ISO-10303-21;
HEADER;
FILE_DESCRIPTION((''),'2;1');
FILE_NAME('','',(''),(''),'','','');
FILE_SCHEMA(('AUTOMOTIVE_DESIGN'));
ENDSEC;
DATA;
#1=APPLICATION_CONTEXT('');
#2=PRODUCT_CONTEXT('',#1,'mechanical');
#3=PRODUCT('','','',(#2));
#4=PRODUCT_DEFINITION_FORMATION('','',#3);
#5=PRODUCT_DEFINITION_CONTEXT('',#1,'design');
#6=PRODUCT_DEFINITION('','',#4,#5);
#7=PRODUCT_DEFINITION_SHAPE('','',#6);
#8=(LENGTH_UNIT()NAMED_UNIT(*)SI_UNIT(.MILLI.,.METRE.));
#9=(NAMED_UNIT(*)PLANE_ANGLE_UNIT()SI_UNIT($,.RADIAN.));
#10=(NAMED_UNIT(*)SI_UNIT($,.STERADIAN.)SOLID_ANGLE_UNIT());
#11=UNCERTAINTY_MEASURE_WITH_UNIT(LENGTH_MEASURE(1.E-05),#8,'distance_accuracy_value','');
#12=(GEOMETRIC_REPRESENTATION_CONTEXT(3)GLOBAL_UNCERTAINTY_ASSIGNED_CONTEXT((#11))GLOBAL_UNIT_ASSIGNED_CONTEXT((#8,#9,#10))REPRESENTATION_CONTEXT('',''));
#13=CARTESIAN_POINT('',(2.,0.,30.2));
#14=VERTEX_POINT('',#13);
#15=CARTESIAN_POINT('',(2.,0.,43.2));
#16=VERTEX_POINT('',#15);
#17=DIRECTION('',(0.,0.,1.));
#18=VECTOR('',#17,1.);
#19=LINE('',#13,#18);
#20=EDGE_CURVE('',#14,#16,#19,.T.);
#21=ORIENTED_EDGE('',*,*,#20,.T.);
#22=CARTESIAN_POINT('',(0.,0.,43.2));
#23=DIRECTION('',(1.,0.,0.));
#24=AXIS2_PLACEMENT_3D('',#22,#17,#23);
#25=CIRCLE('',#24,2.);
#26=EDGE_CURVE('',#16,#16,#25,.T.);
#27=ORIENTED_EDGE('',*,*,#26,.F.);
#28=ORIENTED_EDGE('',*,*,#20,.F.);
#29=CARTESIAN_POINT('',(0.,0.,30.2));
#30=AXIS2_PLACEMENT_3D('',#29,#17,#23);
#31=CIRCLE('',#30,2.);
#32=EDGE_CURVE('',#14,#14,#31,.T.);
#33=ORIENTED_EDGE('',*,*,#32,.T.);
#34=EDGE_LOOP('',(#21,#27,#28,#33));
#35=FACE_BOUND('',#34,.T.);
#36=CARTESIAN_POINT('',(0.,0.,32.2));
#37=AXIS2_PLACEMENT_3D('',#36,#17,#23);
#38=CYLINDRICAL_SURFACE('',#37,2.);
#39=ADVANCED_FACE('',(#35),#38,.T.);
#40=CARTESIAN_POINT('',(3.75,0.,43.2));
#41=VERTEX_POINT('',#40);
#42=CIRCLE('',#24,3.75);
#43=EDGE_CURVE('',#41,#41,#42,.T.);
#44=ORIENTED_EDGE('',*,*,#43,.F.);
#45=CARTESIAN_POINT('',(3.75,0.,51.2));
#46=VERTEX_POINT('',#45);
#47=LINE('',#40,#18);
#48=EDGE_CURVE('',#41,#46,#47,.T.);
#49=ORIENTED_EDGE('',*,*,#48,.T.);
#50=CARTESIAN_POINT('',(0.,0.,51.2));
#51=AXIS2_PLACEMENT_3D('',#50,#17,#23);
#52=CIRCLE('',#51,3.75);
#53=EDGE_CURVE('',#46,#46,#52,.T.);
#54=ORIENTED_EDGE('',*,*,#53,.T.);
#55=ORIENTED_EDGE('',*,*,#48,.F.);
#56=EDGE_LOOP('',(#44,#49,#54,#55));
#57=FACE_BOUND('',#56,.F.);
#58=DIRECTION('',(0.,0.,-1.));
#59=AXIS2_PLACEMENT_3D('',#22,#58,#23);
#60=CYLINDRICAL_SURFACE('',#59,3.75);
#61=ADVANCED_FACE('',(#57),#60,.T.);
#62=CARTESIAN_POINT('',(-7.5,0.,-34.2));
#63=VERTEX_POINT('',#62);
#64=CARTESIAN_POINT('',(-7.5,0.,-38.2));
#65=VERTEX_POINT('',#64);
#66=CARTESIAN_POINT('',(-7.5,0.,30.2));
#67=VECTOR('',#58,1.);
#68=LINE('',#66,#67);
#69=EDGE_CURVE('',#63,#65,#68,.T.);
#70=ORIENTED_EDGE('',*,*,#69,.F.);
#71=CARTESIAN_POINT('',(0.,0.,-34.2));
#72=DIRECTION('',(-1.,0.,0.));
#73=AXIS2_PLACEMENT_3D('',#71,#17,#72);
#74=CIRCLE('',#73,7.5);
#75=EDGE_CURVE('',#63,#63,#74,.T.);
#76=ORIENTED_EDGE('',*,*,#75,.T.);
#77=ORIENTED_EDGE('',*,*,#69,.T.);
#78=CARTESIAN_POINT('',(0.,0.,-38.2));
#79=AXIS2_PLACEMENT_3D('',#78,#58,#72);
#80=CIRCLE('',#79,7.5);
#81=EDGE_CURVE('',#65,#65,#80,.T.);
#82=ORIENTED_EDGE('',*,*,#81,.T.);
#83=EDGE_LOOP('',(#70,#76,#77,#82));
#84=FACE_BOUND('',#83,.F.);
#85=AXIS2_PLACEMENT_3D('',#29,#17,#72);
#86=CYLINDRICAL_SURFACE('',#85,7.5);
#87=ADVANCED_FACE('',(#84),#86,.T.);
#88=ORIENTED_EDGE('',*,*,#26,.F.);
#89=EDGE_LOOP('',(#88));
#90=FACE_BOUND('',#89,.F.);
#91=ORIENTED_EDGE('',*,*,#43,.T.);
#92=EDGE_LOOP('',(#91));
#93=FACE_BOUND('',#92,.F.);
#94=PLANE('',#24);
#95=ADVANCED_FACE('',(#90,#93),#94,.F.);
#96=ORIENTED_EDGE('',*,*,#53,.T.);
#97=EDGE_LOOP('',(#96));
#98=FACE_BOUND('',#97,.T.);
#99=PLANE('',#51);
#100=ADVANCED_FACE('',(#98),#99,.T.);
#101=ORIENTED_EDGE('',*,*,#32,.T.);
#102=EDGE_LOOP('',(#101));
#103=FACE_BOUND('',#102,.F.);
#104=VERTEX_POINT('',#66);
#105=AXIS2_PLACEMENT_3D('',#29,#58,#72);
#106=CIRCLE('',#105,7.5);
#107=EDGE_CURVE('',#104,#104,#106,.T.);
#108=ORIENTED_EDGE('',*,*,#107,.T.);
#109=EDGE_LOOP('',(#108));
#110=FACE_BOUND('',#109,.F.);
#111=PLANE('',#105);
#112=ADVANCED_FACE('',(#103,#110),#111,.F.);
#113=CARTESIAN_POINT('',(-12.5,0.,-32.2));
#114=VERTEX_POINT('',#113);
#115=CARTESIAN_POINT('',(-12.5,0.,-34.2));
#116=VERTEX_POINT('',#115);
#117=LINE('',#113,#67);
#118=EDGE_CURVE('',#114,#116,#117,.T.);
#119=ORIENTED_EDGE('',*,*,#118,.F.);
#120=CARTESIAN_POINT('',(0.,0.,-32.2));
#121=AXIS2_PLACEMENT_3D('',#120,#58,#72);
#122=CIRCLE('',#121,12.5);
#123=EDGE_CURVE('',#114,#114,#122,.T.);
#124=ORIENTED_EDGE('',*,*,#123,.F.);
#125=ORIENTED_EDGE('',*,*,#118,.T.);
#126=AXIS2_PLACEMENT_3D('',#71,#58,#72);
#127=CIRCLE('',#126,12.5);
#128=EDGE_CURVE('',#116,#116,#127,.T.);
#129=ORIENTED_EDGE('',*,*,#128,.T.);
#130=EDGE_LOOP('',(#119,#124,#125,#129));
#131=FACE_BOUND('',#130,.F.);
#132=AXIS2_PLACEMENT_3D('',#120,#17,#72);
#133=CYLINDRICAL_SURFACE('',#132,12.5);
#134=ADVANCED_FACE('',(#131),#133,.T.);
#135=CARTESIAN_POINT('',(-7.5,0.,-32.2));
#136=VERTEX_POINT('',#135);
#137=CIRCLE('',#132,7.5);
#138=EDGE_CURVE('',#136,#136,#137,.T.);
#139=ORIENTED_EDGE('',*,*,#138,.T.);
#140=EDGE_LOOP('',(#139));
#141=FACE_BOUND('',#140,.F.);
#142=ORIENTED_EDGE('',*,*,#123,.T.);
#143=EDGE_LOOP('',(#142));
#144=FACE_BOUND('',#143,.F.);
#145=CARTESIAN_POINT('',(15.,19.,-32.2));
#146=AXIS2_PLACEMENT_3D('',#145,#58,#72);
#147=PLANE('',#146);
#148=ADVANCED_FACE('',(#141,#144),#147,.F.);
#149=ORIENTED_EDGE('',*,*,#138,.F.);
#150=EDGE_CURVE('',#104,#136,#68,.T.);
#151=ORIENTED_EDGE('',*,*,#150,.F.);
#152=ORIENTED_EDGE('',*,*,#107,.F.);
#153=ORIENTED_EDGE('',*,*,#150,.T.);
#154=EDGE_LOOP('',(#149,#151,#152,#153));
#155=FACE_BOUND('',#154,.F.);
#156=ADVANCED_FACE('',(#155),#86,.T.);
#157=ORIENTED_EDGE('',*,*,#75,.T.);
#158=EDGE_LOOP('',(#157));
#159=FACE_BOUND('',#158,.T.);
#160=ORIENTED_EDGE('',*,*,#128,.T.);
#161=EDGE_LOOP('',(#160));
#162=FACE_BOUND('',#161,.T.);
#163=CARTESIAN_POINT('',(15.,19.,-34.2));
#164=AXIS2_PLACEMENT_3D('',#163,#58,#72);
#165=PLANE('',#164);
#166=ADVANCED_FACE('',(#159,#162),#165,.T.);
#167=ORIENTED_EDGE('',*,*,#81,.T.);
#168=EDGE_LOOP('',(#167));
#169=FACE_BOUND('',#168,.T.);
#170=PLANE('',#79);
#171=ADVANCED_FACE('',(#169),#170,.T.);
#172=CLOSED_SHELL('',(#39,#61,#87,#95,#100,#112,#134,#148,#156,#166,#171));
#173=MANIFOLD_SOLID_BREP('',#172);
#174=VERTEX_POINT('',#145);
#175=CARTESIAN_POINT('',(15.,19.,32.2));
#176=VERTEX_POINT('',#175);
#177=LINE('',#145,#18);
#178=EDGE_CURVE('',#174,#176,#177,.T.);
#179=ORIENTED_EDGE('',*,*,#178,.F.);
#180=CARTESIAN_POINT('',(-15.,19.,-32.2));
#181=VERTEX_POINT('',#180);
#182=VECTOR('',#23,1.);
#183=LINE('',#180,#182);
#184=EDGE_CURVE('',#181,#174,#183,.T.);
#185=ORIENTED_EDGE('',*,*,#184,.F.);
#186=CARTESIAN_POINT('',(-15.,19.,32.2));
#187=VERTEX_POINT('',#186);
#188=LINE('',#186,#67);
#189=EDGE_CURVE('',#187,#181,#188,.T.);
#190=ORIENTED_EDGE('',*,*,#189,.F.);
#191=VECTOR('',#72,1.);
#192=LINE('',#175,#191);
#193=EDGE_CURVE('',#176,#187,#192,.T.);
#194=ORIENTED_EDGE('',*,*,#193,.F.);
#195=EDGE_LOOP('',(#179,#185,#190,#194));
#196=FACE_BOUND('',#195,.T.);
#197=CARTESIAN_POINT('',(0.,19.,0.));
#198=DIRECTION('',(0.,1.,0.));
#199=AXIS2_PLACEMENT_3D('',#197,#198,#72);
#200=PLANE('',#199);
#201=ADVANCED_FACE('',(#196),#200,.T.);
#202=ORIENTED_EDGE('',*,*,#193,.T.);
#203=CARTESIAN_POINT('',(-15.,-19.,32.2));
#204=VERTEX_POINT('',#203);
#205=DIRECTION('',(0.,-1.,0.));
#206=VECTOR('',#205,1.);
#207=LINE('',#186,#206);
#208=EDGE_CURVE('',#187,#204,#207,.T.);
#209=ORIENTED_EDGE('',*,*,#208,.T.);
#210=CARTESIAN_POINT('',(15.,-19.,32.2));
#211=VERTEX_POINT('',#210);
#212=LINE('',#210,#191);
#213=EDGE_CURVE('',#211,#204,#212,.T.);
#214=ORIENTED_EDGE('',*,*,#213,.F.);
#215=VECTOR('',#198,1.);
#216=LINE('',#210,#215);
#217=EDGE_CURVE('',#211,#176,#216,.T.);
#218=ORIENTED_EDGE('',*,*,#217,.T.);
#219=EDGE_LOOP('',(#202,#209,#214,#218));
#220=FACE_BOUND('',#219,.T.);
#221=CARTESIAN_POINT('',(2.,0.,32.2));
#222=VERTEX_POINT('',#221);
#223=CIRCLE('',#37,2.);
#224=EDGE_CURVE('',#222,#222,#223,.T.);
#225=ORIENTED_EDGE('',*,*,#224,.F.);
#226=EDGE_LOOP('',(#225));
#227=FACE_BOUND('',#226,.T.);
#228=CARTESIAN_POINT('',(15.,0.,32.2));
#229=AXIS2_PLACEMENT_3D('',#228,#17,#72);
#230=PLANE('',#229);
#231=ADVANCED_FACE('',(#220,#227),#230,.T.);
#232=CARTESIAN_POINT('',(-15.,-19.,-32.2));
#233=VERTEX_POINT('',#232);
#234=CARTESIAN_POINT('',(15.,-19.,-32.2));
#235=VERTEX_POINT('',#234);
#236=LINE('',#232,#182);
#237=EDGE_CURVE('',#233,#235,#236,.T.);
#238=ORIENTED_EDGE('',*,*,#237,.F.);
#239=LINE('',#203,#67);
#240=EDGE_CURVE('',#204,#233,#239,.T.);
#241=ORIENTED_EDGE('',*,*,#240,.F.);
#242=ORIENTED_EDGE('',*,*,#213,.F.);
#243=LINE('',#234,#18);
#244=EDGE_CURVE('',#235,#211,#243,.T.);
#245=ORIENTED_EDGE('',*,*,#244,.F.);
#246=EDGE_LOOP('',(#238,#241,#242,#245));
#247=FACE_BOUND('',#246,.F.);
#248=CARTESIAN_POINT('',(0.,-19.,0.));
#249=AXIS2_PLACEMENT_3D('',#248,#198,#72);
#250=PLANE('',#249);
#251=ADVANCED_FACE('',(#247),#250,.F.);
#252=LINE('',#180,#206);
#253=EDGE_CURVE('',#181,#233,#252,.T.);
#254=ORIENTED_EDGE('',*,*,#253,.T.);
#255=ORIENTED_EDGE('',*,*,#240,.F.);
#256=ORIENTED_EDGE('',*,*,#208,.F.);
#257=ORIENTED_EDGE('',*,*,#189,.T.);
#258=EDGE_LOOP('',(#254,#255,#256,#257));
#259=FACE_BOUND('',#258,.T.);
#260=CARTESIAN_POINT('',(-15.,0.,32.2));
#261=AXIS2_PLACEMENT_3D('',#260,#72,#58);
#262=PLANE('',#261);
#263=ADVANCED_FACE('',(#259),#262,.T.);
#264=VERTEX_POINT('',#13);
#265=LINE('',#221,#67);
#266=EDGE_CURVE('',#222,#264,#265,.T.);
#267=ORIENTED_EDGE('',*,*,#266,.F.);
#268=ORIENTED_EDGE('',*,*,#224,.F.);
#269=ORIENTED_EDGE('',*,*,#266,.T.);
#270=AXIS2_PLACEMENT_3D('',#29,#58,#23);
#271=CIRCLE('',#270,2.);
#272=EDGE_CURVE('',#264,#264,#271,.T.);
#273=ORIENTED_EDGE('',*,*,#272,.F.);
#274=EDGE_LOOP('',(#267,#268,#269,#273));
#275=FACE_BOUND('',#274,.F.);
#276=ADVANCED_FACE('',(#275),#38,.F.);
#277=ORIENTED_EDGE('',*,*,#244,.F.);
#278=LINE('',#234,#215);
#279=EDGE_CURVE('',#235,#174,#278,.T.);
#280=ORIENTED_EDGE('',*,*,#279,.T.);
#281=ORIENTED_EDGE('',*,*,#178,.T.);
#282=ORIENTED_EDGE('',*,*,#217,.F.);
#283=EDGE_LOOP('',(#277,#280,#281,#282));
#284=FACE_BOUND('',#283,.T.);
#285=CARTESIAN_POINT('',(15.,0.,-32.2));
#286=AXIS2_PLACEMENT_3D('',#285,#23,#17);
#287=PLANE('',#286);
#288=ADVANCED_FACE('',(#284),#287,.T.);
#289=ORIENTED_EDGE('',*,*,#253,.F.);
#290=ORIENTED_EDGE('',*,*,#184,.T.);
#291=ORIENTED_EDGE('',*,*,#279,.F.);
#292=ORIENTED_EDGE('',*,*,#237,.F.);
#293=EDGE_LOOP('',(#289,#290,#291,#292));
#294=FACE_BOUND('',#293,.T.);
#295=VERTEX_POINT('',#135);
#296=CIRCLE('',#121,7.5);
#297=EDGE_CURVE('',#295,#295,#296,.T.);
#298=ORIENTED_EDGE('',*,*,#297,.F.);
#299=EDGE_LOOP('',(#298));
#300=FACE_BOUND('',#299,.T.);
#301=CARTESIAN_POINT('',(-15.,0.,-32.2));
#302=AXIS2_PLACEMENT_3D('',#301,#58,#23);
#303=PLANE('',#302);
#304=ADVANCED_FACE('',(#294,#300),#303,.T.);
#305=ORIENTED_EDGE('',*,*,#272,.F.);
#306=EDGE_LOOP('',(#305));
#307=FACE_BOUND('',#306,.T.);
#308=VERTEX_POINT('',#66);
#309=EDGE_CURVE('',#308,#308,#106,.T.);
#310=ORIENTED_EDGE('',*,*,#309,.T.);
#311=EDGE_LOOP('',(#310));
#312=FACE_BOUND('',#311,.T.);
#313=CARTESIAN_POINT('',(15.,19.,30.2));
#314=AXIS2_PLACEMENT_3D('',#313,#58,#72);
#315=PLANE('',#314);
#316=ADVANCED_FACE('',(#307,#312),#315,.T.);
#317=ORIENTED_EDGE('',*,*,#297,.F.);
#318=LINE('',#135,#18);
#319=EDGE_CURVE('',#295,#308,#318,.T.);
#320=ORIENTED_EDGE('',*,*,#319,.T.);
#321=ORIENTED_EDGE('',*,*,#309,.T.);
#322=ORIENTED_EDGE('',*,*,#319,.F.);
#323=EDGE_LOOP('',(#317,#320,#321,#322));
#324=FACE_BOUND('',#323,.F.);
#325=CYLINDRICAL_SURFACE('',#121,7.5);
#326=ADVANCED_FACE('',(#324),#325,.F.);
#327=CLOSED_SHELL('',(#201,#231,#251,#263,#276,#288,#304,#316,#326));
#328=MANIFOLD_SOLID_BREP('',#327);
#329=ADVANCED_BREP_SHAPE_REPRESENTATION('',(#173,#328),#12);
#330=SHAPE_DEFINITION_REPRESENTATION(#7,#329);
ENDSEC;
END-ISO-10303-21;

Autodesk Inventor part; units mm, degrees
ref_plane "YZ Plane" through (0, 0, 0) normal (1, 0, 0) x (0, 1, 0)
ref_plane "XZ Plane" through (0, 0, 0) normal (0, 1, 0) x (-1, 0, 0)
ref_plane "XY Plane" through (0, 0, 0) normal (0, 0, 1) x (1, 0, 0)
sketch "Sketch1" plane through (0, 0, 0) normal (0, 1, 0) x (-1, 0, 0)
  line L0 (-15, 32.2) -> (15, 32.2)
  line L1 (15, 32.2) -> (15, -32.2)
  line L2 (15, -32.2) -> (-15, -32.2)
  line L3 (-15, -32.2) -> (-15, 32.2)
  line L4 (-15, 32.2) -> (15, -32.2) construction
  line L5 (15, 32.2) -> (-15, -32.2) construction
  point P0 (0, 0)
  dimension "d0" = 30
  dimension "d1" = 64.4
extrude "Extrusion1" add sketch "Sketch1" along normal mid plane 38
sketch "Sketch4" plane through (-15, 19, 32.2) normal (0, 0, 1) x (1, 0, 0)
  circle A0 centre (15, -19) radius 2
  dimension "d10" = 4
extrude "Extrusion4" cut sketch "Sketch4" against normal through all
sketch "Sketch5" plane through (15, 19, -32.2) normal (0, 0, -1) x (-1, 0, 0)
  circle A0 centre (15, -19) radius 2 projected
  circle A1 centre (15, -19) radius 7.5
  point P0 (15, -19)
  dimension "d15" = 15
extrude "Extrusion5" cut sketch "Sketch5" against normal blind 62.4
sketch "Sketch2" plane through (-15, 19, 32.2) normal (0, 0, 1) x (1, 0, 0)
  circle A0 centre (15, -19) radius 2
  dimension "d4" = 4
extrude "Extrusion2" add sketch "Sketch2" along normal blind 11 and the other way blind 2 separate body
sketch "Sketch3" plane through (0, 0, 43.2) normal (0, 0, 1) x (1, 0, 0)
  circle A0 centre (0, 0) radius 3.75
  dimension "d7" = 7.5
extrude "Extrusion3" add sketch "Sketch3" along normal blind 8 bodies 2
sketch "Sketch6" plane through (0, 0, 30.2) normal (0, 0, -1) x (-1, 0, 0)
  circle A0 centre (0, 0) radius 7.5
  dimension "d18" = 15
extrude "Extrusion6" add sketch "Sketch6" along normal blind 68.4 bodies 2
sketch "Sketch7" plane through (15, 19, -32.2) normal (0, 0, -1) x (-1, 0, 0)
  circle A0 centre (15, -19) radius 3.75 projected
  circle A1 centre (15, -19) radius 12.5
  point P0 (15, -19)
  dimension "d21" = 25
extrude "Extrusion7" add sketch "Sketch7" along normal blind 2 bodies 2
properties part number "Solenoid"
